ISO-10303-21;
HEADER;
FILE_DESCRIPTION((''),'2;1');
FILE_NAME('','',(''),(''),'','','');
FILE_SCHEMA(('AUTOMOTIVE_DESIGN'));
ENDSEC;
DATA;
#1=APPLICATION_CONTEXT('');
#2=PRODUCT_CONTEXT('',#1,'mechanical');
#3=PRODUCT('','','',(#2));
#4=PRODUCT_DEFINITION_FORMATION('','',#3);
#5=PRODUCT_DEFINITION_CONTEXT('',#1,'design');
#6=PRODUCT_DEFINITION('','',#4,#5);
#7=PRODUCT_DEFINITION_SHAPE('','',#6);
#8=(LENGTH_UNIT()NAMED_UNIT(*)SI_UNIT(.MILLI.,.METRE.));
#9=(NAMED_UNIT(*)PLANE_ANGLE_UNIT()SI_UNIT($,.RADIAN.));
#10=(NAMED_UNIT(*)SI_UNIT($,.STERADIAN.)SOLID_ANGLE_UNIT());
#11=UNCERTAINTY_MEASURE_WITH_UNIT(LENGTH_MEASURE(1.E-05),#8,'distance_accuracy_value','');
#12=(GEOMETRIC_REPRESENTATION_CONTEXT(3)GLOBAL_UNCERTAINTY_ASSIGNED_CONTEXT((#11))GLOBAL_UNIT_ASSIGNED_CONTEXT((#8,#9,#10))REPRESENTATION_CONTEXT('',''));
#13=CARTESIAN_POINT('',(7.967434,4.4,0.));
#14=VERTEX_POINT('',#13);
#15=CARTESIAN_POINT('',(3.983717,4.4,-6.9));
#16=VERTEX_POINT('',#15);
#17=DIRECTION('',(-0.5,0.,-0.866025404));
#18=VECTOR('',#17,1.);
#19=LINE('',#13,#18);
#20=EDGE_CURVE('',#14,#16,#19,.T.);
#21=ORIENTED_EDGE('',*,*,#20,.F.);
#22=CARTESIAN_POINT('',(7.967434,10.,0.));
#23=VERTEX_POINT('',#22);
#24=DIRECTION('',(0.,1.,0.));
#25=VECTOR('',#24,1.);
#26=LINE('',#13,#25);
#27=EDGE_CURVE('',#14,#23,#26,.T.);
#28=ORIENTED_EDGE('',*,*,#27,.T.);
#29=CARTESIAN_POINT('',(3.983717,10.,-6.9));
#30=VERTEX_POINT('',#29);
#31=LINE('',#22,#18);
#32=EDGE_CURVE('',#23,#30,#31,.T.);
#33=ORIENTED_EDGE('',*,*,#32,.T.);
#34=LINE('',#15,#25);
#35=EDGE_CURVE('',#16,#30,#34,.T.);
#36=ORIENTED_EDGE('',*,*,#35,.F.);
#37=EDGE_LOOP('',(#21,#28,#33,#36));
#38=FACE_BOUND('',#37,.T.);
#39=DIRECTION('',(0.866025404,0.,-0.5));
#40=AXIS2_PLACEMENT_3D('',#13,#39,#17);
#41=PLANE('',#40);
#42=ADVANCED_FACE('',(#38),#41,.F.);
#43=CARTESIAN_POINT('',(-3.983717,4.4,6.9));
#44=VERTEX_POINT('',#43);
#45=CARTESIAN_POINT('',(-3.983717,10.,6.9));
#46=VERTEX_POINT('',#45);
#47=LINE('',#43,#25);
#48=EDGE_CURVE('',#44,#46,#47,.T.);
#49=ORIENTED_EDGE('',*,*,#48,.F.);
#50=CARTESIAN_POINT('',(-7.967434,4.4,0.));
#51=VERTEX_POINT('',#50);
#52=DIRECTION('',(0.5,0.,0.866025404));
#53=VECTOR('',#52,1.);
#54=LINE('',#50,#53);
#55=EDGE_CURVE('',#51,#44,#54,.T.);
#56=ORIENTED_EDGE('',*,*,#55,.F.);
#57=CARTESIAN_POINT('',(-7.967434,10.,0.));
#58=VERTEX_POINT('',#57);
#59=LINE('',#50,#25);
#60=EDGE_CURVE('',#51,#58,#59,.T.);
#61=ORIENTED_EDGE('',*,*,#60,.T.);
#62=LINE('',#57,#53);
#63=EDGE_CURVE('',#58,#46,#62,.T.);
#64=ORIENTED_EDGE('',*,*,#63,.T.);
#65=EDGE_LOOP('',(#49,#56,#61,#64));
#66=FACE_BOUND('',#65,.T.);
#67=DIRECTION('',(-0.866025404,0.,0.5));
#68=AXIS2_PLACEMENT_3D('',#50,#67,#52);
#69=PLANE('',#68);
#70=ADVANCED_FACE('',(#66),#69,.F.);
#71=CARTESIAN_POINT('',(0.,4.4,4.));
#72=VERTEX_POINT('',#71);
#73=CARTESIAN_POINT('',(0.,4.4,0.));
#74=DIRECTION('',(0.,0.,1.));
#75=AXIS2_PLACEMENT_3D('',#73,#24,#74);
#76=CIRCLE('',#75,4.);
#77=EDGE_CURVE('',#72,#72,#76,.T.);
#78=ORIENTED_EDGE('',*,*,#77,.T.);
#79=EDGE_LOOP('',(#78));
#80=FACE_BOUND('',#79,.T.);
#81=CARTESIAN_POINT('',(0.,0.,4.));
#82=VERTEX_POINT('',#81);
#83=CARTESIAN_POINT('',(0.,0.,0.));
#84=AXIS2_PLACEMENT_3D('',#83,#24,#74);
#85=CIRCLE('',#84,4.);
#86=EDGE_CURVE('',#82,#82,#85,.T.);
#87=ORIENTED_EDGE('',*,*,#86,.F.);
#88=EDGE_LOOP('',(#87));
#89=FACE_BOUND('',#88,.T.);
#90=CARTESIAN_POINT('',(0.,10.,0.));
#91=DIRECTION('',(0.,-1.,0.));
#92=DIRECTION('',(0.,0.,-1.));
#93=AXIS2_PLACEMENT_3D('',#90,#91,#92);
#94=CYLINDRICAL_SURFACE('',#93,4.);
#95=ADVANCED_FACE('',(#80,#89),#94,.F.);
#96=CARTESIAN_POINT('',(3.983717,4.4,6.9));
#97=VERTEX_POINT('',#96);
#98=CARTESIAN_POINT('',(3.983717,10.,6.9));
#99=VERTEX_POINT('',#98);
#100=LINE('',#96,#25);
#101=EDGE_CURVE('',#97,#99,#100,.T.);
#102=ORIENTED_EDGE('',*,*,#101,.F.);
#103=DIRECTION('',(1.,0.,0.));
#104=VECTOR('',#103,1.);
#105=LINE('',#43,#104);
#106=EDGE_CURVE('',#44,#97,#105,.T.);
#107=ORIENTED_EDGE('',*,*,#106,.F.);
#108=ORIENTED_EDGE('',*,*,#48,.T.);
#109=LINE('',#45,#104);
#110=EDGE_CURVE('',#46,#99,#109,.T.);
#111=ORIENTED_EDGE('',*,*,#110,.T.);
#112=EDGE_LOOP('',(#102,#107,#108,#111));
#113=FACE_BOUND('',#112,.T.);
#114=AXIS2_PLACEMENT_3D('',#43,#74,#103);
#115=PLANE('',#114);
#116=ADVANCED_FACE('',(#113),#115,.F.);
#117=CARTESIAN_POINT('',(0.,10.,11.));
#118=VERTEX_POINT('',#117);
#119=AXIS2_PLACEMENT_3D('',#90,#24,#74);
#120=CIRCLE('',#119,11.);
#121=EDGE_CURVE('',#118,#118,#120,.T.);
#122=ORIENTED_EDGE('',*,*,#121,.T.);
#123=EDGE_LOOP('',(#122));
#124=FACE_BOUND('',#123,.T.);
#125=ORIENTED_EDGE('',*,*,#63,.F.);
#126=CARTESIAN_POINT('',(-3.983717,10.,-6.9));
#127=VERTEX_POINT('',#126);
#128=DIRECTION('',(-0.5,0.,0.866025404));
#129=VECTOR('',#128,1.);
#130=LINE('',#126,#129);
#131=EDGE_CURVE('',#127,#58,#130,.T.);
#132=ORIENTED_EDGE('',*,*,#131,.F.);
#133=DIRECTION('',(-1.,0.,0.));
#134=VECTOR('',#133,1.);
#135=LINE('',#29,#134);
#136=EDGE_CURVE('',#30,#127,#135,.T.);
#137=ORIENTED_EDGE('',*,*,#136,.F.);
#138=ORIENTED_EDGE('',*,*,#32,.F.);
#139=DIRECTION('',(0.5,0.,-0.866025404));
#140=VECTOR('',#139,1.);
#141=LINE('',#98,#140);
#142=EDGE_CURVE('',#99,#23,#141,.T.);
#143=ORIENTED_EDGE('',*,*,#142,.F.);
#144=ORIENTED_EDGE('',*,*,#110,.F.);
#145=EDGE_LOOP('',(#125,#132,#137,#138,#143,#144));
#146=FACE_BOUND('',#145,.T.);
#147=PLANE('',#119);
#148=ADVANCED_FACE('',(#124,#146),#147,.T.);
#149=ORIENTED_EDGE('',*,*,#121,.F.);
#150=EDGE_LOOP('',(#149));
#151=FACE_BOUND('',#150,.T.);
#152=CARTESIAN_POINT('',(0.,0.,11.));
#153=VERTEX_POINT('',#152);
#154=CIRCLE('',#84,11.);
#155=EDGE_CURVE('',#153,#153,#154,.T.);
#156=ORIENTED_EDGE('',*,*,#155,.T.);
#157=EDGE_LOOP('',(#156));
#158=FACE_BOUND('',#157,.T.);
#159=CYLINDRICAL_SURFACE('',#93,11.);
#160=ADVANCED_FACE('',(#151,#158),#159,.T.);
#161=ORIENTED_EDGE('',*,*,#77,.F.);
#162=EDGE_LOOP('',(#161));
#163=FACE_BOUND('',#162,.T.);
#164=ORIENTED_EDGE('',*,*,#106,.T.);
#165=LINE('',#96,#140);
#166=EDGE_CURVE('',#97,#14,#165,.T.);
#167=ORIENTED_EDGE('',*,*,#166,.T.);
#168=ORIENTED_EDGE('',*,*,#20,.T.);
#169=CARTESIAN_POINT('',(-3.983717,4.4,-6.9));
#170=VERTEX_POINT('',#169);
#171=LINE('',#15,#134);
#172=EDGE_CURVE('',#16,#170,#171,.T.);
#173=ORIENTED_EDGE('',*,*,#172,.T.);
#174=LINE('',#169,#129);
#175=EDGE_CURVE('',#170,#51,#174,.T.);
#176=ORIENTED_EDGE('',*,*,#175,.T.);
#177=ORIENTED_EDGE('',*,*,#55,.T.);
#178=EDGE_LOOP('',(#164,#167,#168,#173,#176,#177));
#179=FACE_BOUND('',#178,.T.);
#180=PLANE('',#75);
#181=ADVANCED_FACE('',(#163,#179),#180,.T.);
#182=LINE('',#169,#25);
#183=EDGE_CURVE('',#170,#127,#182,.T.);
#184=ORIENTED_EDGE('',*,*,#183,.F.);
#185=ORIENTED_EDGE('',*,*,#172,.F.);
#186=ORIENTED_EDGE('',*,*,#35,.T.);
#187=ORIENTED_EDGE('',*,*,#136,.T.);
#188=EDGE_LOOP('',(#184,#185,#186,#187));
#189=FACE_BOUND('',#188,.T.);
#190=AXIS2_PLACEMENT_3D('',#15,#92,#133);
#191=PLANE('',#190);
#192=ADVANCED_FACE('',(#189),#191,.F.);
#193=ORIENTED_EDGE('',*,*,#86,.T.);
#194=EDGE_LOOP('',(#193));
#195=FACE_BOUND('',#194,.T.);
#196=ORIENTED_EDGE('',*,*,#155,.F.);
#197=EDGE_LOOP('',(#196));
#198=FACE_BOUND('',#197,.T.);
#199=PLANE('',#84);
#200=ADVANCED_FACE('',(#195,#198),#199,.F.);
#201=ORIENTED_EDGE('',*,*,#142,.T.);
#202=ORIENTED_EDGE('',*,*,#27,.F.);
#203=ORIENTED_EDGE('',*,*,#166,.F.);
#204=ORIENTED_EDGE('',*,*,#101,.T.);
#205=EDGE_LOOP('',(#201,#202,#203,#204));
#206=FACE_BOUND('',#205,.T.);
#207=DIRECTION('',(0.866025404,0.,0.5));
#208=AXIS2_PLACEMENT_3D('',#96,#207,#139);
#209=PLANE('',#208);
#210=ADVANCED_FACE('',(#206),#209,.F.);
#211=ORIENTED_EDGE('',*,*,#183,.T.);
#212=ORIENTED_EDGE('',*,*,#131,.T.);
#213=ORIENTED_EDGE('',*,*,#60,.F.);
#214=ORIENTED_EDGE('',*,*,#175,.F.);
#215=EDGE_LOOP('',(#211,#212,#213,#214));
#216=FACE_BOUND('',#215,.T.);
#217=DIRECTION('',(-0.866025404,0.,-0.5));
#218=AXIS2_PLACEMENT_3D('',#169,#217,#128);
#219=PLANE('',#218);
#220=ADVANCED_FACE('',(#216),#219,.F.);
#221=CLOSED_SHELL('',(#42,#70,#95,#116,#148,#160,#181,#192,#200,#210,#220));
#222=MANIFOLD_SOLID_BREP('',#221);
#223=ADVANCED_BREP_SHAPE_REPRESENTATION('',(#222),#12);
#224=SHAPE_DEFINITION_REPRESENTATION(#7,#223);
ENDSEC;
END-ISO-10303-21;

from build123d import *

# Parameters (mm, degrees)
SKETCH1_R           = 11
SKETCH1_R_2         = 4
BOSS_EXTRUDE1_DEPTH = 10
CUT_EXTRUDE1_DEPTH  = 5.6


with BuildPart() as part:
    # Sketch1 → Boss-Extrude1 (new body)
    with BuildSketch(Plane(origin=(0, 0, 0), x_dir=(1, 0, 0), z_dir=(0, 1, 0))):
        with Locations(Location((0, 0, 0), (0, 0, 270))):
            Circle(SKETCH1_R)
        with Locations(Location((0, 0, 0), (0, 0, 270))):
            Circle(SKETCH1_R_2, mode=Mode.SUBTRACT)
    extrude(amount=BOSS_EXTRUDE1_DEPTH)

    # Sketch2 → Cut-Extrude1 (cut)
    with BuildSketch(Plane(origin=(0, 10, 0), x_dir=(1, 0, 0), z_dir=(0, 1, 0))):
        Polygon((3.983716857, 6.9), (-3.983716857, 6.9), (-7.967433715, 0), (-3.983716857, -6.9), (3.983716857, -6.9), (7.967433715, 0), align=None)
    extrude(amount=-CUT_EXTRUDE1_DEPTH, mode=Mode.SUBTRACT)


solid = part.part
